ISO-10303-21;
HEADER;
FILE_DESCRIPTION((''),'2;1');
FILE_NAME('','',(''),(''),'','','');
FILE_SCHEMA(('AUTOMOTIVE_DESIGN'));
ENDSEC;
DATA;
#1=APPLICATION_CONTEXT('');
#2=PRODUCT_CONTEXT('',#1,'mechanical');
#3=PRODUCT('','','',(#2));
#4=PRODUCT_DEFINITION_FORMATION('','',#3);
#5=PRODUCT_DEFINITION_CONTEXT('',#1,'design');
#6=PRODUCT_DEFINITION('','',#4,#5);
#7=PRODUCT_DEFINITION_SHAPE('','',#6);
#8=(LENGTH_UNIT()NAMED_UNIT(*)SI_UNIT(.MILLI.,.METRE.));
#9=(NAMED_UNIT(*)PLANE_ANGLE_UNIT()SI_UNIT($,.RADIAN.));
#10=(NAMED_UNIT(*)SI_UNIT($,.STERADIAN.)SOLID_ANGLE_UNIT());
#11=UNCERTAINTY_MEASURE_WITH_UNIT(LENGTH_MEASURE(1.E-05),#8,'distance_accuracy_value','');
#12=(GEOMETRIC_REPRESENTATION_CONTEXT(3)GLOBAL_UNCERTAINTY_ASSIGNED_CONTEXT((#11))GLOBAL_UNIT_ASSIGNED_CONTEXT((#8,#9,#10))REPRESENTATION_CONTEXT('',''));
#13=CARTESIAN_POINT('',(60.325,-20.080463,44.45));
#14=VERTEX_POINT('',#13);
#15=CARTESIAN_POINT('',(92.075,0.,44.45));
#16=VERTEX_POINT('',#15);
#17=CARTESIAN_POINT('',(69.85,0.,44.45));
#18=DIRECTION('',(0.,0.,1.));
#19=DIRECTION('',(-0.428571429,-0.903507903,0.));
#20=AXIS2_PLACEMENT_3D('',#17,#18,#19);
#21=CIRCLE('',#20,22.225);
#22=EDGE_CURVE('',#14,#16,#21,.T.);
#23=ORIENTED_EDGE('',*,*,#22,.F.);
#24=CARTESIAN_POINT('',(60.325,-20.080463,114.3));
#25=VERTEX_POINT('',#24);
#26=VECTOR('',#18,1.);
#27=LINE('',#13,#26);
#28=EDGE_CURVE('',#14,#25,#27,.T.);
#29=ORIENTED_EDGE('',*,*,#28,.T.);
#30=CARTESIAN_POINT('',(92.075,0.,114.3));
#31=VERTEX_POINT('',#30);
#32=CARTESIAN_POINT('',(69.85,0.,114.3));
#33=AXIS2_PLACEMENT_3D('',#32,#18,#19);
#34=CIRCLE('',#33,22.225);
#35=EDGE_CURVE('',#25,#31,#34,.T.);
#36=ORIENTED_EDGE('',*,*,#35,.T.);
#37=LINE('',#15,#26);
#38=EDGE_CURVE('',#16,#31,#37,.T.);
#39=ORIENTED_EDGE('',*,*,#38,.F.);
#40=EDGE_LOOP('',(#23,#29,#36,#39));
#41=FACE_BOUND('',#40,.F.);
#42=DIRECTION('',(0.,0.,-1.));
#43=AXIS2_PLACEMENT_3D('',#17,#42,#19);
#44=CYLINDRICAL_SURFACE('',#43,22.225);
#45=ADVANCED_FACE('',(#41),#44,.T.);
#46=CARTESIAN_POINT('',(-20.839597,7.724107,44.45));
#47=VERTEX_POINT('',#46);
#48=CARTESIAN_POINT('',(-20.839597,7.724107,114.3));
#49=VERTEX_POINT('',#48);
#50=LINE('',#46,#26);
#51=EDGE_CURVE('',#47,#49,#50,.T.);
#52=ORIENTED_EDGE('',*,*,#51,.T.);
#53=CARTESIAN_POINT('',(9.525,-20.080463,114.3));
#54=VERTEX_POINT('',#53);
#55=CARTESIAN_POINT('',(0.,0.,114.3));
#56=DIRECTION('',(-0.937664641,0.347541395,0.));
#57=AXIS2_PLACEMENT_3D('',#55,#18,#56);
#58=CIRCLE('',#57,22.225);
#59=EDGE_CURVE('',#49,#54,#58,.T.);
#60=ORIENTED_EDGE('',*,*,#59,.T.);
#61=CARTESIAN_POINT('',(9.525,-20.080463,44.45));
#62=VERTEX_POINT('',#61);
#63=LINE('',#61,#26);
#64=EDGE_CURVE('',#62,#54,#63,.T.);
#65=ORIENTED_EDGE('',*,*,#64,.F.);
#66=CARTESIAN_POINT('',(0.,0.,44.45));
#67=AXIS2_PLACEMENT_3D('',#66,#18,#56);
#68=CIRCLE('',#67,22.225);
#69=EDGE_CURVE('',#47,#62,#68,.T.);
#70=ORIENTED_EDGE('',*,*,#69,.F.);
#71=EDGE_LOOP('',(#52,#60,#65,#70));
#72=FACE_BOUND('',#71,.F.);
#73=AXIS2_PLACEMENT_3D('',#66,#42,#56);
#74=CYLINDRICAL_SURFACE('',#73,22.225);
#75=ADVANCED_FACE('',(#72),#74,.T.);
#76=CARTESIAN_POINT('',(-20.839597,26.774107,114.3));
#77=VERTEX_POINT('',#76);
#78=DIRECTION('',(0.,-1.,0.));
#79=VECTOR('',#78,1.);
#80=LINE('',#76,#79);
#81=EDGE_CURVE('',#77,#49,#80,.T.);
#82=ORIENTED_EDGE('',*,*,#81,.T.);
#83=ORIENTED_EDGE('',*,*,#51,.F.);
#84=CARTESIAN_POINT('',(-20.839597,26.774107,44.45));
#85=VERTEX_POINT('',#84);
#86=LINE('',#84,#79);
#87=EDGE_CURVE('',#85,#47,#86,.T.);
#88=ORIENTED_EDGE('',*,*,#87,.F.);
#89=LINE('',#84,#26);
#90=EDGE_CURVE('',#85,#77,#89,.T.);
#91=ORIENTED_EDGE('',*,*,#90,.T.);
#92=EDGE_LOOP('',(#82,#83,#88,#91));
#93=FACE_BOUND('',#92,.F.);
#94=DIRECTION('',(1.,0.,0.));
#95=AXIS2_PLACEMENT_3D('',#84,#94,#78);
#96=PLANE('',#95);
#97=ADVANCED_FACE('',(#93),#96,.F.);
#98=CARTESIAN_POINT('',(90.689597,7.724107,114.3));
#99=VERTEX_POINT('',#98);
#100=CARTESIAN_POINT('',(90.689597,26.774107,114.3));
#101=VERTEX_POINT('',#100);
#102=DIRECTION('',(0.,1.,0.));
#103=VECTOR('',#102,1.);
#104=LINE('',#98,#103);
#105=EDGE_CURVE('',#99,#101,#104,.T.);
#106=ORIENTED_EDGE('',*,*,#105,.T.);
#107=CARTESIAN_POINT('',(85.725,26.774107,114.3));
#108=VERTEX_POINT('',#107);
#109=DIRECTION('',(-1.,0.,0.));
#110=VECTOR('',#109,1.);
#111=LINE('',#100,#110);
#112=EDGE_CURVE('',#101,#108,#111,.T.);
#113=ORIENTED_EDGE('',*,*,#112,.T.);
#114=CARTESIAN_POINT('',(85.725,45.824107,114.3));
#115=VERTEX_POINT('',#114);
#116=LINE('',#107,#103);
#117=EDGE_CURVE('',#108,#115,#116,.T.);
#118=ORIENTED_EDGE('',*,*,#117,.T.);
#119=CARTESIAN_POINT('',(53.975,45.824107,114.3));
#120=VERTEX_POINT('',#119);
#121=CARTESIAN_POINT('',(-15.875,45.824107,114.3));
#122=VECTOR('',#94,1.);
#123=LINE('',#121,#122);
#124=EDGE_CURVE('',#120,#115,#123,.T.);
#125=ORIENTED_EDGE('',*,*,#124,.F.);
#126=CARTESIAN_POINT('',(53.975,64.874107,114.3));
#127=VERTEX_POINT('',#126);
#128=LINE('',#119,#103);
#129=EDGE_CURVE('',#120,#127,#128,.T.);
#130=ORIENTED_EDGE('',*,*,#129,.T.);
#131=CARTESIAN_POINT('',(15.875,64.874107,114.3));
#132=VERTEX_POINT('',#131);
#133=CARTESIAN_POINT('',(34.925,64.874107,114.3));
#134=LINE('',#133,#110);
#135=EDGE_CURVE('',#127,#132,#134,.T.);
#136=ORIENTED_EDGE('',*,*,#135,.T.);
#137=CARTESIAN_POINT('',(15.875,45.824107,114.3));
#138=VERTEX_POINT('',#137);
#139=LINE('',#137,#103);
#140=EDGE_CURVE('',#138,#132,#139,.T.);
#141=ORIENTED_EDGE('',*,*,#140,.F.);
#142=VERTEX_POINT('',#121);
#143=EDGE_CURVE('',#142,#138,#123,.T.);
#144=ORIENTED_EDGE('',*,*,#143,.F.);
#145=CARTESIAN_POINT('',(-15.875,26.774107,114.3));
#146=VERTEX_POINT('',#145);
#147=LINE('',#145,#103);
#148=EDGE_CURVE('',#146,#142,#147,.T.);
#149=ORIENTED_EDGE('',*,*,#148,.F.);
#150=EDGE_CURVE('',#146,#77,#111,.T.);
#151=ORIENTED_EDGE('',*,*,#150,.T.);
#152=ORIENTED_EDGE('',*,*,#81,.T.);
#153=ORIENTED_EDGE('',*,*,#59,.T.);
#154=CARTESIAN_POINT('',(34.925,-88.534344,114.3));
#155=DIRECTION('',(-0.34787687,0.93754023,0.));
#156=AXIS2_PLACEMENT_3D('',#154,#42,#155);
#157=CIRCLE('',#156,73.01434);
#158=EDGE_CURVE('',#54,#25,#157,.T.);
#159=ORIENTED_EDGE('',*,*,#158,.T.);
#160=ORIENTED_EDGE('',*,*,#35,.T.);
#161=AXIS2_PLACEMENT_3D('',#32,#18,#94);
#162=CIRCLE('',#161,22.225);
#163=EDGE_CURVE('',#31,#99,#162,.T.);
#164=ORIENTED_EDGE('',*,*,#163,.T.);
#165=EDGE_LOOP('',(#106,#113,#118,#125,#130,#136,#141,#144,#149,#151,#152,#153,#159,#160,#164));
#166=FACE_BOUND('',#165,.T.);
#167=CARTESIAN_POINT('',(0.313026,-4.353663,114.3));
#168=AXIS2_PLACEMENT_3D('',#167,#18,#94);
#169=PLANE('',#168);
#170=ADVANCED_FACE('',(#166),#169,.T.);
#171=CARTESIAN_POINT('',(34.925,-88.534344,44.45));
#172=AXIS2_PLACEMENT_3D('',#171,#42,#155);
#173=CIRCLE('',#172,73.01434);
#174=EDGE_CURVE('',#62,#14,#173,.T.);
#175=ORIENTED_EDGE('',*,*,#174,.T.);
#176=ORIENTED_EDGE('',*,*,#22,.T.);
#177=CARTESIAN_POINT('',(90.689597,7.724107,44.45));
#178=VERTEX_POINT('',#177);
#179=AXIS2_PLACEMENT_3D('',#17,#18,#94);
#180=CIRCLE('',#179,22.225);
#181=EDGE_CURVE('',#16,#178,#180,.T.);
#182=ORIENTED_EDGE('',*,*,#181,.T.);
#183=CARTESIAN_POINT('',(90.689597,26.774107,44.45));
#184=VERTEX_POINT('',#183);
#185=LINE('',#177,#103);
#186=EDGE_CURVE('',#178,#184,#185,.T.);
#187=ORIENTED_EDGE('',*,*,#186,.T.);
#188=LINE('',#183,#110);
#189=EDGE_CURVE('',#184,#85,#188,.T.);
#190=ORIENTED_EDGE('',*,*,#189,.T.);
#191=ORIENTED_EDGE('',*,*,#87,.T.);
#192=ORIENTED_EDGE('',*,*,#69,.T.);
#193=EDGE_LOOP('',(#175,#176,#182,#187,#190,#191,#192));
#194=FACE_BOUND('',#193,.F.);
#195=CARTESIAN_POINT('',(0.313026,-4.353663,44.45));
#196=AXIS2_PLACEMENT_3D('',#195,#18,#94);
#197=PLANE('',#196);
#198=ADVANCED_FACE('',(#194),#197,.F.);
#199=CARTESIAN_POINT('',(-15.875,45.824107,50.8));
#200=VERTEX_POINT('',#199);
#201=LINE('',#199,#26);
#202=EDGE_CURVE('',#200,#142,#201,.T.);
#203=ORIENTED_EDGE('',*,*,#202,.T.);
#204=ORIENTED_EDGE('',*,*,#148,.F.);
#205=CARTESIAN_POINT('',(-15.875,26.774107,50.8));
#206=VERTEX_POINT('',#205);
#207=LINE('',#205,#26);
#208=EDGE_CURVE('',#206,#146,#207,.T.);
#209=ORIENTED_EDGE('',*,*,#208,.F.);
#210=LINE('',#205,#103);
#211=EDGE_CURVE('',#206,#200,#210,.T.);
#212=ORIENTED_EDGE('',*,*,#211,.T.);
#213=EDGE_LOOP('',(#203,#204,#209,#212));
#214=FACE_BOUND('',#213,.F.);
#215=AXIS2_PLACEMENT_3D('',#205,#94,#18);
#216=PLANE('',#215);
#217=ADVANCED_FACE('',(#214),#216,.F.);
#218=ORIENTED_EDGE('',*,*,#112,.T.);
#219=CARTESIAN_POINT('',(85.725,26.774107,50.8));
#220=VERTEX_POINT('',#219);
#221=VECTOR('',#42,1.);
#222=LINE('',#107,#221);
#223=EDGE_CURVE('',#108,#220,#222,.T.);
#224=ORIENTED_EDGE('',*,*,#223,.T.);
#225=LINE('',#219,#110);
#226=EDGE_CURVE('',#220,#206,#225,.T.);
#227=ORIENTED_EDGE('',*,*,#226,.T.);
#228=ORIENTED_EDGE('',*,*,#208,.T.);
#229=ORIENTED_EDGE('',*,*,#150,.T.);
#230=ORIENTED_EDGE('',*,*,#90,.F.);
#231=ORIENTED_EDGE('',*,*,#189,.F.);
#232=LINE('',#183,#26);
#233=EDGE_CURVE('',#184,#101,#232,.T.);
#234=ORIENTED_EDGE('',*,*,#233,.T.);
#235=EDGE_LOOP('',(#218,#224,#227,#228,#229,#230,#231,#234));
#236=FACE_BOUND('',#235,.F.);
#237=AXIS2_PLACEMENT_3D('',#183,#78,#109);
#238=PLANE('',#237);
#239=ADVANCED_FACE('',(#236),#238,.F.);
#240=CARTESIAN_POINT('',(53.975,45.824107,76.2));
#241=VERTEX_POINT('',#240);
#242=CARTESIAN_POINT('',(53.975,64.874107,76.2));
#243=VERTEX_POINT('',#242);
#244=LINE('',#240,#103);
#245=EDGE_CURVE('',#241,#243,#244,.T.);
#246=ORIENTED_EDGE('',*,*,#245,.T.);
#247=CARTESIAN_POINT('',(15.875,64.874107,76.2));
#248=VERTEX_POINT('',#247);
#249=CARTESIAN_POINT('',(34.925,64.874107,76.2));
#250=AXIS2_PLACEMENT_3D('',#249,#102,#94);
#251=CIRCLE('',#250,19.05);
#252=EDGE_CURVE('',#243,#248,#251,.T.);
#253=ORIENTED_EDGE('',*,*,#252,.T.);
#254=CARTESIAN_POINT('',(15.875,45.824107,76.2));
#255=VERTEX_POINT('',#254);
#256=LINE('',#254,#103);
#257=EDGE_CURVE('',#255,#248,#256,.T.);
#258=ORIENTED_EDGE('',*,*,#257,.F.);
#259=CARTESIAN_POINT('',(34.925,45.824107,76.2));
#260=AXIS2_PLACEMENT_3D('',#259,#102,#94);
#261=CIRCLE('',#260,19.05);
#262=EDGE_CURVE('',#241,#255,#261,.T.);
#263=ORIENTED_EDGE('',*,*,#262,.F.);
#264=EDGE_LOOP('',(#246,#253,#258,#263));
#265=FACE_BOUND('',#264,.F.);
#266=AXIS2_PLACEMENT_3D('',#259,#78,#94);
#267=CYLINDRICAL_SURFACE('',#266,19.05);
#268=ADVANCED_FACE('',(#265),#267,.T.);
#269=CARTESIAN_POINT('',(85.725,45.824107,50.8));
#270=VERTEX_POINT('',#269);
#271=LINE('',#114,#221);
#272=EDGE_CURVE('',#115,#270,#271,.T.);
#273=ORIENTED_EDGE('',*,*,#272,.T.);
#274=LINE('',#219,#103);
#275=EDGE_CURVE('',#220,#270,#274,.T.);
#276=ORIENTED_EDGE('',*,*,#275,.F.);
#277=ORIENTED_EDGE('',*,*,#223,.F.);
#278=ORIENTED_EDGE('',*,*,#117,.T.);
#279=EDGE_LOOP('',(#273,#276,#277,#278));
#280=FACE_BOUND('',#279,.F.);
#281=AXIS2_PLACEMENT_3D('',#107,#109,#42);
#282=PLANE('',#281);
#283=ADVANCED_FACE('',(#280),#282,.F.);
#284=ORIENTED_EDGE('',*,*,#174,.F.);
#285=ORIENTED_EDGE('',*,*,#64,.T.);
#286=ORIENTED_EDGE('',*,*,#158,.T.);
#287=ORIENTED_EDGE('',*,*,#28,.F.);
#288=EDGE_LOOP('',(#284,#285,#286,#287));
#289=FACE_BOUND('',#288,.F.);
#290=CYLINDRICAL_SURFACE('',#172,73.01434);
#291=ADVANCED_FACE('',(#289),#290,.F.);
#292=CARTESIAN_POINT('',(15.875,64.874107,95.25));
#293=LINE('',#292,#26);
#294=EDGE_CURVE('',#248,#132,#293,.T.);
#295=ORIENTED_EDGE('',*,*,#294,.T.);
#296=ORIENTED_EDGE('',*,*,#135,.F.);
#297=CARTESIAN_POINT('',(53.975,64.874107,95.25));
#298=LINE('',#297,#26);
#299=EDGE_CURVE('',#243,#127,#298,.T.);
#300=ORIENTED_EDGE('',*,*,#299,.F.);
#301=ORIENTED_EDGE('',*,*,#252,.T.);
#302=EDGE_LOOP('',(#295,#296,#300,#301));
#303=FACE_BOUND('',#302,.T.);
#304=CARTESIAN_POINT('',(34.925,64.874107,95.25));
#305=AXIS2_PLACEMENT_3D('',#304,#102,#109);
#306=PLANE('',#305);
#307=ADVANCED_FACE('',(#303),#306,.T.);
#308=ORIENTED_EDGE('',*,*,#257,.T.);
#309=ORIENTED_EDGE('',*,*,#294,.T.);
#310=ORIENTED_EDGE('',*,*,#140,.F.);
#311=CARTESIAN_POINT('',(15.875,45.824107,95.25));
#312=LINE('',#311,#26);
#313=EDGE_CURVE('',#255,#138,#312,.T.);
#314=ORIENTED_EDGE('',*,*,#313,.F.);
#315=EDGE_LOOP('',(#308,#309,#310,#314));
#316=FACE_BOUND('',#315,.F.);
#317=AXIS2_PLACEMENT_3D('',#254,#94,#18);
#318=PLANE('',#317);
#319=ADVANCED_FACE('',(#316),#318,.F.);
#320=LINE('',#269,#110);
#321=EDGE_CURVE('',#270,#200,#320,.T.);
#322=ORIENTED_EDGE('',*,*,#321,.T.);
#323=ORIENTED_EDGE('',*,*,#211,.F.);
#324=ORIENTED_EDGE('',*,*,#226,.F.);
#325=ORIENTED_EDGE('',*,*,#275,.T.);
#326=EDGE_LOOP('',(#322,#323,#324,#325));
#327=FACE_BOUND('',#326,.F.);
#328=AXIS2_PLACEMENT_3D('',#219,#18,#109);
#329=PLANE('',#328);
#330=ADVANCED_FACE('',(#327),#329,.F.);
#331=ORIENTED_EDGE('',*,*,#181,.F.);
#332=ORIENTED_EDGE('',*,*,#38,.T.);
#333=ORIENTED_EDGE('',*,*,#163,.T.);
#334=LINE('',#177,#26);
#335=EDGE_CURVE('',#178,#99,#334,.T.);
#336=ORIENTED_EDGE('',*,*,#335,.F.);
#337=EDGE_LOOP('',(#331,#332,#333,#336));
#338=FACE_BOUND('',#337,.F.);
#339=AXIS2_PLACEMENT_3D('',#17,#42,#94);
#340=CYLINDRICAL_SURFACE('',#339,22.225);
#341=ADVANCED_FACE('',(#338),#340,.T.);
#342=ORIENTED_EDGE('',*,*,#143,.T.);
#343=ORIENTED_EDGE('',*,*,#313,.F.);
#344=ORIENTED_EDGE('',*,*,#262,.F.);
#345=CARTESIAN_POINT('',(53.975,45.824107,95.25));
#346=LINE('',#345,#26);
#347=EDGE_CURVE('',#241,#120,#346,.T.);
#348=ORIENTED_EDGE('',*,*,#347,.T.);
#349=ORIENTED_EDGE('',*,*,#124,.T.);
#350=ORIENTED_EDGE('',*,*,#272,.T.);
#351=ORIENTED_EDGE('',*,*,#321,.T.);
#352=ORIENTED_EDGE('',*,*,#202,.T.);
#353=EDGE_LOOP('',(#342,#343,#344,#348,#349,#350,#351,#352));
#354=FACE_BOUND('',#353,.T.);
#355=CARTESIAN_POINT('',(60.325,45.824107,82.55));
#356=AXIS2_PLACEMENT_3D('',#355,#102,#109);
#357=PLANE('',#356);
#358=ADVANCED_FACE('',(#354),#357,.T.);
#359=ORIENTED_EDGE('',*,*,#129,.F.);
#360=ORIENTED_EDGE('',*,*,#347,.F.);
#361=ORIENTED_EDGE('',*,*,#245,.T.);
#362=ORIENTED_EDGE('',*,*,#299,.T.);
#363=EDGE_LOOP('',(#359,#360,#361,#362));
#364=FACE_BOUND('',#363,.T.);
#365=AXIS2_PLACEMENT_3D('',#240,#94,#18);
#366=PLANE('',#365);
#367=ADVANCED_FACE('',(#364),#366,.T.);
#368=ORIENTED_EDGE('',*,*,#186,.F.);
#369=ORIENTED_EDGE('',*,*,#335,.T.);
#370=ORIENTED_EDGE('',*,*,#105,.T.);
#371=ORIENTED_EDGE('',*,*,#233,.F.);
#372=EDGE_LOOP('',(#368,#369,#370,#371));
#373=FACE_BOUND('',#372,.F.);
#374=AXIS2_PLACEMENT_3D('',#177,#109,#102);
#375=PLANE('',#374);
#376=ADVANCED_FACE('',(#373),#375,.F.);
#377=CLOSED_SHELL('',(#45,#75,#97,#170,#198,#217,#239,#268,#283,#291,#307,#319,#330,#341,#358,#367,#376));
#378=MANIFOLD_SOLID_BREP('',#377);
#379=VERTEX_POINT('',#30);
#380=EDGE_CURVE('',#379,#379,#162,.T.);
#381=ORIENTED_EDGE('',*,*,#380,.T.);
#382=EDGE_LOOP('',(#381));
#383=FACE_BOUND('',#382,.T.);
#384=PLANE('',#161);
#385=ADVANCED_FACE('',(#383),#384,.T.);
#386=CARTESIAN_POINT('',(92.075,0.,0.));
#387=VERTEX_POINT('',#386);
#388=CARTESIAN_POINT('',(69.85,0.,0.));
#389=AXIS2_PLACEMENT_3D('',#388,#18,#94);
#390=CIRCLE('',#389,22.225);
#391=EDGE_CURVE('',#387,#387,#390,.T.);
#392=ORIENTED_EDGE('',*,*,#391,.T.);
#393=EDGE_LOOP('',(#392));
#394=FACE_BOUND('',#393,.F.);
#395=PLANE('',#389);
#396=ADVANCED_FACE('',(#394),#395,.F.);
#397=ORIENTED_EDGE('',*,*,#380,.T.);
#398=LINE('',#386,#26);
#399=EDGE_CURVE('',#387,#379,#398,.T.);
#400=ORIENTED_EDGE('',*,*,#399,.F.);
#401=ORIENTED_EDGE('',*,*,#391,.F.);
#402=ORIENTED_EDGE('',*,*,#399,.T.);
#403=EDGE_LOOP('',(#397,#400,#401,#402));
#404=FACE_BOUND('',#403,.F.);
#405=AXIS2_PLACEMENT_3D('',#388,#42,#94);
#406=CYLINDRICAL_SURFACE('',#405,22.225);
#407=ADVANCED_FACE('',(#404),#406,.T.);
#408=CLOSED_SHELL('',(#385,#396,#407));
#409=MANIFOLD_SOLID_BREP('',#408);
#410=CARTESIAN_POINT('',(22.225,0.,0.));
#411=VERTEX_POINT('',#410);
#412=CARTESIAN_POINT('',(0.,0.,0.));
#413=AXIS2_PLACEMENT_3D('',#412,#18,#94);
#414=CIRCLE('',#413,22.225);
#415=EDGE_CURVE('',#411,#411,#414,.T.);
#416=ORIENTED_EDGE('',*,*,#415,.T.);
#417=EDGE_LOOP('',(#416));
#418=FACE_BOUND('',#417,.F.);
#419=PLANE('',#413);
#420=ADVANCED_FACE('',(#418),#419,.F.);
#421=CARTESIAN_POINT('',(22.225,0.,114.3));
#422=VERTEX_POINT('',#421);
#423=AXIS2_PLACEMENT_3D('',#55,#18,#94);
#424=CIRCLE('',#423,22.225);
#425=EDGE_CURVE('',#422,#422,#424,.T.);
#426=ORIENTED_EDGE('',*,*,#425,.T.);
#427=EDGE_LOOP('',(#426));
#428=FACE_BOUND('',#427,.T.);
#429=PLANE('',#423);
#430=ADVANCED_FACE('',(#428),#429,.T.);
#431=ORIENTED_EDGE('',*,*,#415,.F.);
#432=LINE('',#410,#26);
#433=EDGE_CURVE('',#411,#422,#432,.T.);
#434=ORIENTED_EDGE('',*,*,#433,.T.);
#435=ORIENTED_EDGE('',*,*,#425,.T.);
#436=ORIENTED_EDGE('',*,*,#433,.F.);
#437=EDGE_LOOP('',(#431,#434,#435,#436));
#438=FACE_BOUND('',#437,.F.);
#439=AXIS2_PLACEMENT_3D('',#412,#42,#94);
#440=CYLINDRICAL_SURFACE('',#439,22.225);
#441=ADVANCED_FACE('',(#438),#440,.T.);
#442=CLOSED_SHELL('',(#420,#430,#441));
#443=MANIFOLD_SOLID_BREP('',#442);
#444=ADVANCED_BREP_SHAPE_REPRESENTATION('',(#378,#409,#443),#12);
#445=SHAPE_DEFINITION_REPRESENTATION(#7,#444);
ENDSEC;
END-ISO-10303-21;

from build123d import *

# Parameters (mm, degrees)
F0_R     = 22.225
F1_DEPTH = 114.3
F4_DEPTH = 69.85
F6_DEPTH = 19.05
F7_W     = 38.1
F7_H     = 38.1
F8_DEPTH = 19.05


with BuildPart() as f1:
    # F0 (on Top) → F1 (new body)
    with BuildSketch(Plane.XY):
        Circle(F0_R)
    extrude(amount=F1_DEPTH)


with BuildPart() as f1b:
    # F0 (on Top) → F1, piece 2 (new body)
    with BuildSketch(Plane.XY):
        with Locations((69.85, 0)):
            Circle(F0_R)
    extrude(amount=F1_DEPTH)


with BuildPart() as f4:
    # F3 (on offset) → F4 (new body, through all)
    with BuildSketch(Plane.XY.offset(44.45)):
        with BuildLine():
            Line((20.8395966464, 7.7241074963), (-20.8395966464, 7.7241074963))
            ThreePointArc((-20.8395966464, 7.7241074963), (-15.0092825083, -16.3912191001), (9.525, -20.0804631421))
            ThreePointArc((9.525, -20.0804631421), (18.7835533113, -11.879762203), (22.225, 0))
            ThreePointArc((22.225, 0), (21.8759075294, 3.923683826), (20.8395966464, 7.7241074963))
        make_face()
        with BuildLine():
            Line((-20.8395966464, 26.7741074963), (-20.8395966464, 7.7241074963))
            ThreePointArc((-20.8395966464, 7.7241074963), (0, 22.225), (20.8395966464, 7.7241074963))
            Line((20.8395966464, 7.7241074963), (49.0104033536, 7.7241074963))
            ThreePointArc((49.0104033536, 7.7241074963), (69.85, 22.225), (90.6895966464, 7.7241074963))
            Line((90.6895966464, 7.7241074963), (90.6895966464, 26.7741074963))
            Line((90.6895966464, 26.7741074963), (-20.8395966464, 26.7741074963))
        make_face()
        with BuildLine():
            ThreePointArc((20.8395966464, 7.7241074963), (0, 22.225), (-20.8395966464, 7.7241074963))
            Line((-20.8395966464, 7.7241074963), (20.8395966464, 7.7241074963))
        make_face()
        with BuildLine():
            ThreePointArc((22.225, 0), (18.7835533113, -11.879762203), (9.525, -20.0804631421))
            ThreePointArc((9.525, -20.0804631421), (34.925, -15.5200042919), (60.325, -20.0804631421))
            ThreePointArc((60.325, -20.0804631421), (49.2641864511, -8.3770463488), (49.0104033536, 7.7241074963))
            Line((49.0104033536, 7.7241074963), (20.8395966464, 7.7241074963))
            ThreePointArc((20.8395966464, 7.7241074963), (21.8759075294, 3.923683826), (22.225, 0))
        make_face()
        with BuildLine():
            ThreePointArc((49.0104033536, 7.7241074963), (49.2641864511, -8.3770463488), (60.325, -20.0804631421))
            ThreePointArc((60.325, -20.0804631421), (81.729762203, -18.7835533113), (92.075, 0))
            ThreePointArc((92.075, 0), (91.7259075294, 3.923683826), (90.6895966464, 7.7241074963))
            Line((90.6895966464, 7.7241074963), (49.0104033536, 7.7241074963))
        make_face()
        with BuildLine():
            ThreePointArc((90.6895966464, 7.7241074963), (69.85, 22.225), (49.0104033536, 7.7241074963))
            Line((49.0104033536, 7.7241074963), (90.6895966464, 7.7241074963))
        make_face()
    extrude(amount=F4_DEPTH)

    # F5 (on face) → F6 (join)
    with BuildSketch(Plane(origin=(0, 26.7741074963, 0), x_dir=(-1, 0, 0), z_dir=(0, 1, 0))):
        Polygon((-85.725, 114.3), (-85.725, 50.8), (-34.925, 50.8), (-34.925, 76.2), (-34.925, 114.3), align=None)
        Polygon((-34.925, 76.2), (-34.925, 50.8), (15.875, 50.8), (15.875, 114.3), (-34.925, 114.3), align=None)
    extrude(amount=F6_DEPTH)

    # F7 (on face) → F8 (join)
    with BuildSketch(Plane(origin=(0, 45.8241074963, 0), x_dir=(-1, 0, 0), z_dir=(0, 1, 0))):
        with Locations((-34.925, 95.25)):
            Rectangle(F7_W, F7_H)
        with BuildLine():
            Line((-15.875, 76.2), (-53.975, 76.2))
            ThreePointArc((-53.975, 76.2), (-34.925, 57.15), (-15.875, 76.2))
        make_face()
    extrude(amount=F8_DEPTH)


solid = Compound([f1.part, f1b.part, f4.part])
